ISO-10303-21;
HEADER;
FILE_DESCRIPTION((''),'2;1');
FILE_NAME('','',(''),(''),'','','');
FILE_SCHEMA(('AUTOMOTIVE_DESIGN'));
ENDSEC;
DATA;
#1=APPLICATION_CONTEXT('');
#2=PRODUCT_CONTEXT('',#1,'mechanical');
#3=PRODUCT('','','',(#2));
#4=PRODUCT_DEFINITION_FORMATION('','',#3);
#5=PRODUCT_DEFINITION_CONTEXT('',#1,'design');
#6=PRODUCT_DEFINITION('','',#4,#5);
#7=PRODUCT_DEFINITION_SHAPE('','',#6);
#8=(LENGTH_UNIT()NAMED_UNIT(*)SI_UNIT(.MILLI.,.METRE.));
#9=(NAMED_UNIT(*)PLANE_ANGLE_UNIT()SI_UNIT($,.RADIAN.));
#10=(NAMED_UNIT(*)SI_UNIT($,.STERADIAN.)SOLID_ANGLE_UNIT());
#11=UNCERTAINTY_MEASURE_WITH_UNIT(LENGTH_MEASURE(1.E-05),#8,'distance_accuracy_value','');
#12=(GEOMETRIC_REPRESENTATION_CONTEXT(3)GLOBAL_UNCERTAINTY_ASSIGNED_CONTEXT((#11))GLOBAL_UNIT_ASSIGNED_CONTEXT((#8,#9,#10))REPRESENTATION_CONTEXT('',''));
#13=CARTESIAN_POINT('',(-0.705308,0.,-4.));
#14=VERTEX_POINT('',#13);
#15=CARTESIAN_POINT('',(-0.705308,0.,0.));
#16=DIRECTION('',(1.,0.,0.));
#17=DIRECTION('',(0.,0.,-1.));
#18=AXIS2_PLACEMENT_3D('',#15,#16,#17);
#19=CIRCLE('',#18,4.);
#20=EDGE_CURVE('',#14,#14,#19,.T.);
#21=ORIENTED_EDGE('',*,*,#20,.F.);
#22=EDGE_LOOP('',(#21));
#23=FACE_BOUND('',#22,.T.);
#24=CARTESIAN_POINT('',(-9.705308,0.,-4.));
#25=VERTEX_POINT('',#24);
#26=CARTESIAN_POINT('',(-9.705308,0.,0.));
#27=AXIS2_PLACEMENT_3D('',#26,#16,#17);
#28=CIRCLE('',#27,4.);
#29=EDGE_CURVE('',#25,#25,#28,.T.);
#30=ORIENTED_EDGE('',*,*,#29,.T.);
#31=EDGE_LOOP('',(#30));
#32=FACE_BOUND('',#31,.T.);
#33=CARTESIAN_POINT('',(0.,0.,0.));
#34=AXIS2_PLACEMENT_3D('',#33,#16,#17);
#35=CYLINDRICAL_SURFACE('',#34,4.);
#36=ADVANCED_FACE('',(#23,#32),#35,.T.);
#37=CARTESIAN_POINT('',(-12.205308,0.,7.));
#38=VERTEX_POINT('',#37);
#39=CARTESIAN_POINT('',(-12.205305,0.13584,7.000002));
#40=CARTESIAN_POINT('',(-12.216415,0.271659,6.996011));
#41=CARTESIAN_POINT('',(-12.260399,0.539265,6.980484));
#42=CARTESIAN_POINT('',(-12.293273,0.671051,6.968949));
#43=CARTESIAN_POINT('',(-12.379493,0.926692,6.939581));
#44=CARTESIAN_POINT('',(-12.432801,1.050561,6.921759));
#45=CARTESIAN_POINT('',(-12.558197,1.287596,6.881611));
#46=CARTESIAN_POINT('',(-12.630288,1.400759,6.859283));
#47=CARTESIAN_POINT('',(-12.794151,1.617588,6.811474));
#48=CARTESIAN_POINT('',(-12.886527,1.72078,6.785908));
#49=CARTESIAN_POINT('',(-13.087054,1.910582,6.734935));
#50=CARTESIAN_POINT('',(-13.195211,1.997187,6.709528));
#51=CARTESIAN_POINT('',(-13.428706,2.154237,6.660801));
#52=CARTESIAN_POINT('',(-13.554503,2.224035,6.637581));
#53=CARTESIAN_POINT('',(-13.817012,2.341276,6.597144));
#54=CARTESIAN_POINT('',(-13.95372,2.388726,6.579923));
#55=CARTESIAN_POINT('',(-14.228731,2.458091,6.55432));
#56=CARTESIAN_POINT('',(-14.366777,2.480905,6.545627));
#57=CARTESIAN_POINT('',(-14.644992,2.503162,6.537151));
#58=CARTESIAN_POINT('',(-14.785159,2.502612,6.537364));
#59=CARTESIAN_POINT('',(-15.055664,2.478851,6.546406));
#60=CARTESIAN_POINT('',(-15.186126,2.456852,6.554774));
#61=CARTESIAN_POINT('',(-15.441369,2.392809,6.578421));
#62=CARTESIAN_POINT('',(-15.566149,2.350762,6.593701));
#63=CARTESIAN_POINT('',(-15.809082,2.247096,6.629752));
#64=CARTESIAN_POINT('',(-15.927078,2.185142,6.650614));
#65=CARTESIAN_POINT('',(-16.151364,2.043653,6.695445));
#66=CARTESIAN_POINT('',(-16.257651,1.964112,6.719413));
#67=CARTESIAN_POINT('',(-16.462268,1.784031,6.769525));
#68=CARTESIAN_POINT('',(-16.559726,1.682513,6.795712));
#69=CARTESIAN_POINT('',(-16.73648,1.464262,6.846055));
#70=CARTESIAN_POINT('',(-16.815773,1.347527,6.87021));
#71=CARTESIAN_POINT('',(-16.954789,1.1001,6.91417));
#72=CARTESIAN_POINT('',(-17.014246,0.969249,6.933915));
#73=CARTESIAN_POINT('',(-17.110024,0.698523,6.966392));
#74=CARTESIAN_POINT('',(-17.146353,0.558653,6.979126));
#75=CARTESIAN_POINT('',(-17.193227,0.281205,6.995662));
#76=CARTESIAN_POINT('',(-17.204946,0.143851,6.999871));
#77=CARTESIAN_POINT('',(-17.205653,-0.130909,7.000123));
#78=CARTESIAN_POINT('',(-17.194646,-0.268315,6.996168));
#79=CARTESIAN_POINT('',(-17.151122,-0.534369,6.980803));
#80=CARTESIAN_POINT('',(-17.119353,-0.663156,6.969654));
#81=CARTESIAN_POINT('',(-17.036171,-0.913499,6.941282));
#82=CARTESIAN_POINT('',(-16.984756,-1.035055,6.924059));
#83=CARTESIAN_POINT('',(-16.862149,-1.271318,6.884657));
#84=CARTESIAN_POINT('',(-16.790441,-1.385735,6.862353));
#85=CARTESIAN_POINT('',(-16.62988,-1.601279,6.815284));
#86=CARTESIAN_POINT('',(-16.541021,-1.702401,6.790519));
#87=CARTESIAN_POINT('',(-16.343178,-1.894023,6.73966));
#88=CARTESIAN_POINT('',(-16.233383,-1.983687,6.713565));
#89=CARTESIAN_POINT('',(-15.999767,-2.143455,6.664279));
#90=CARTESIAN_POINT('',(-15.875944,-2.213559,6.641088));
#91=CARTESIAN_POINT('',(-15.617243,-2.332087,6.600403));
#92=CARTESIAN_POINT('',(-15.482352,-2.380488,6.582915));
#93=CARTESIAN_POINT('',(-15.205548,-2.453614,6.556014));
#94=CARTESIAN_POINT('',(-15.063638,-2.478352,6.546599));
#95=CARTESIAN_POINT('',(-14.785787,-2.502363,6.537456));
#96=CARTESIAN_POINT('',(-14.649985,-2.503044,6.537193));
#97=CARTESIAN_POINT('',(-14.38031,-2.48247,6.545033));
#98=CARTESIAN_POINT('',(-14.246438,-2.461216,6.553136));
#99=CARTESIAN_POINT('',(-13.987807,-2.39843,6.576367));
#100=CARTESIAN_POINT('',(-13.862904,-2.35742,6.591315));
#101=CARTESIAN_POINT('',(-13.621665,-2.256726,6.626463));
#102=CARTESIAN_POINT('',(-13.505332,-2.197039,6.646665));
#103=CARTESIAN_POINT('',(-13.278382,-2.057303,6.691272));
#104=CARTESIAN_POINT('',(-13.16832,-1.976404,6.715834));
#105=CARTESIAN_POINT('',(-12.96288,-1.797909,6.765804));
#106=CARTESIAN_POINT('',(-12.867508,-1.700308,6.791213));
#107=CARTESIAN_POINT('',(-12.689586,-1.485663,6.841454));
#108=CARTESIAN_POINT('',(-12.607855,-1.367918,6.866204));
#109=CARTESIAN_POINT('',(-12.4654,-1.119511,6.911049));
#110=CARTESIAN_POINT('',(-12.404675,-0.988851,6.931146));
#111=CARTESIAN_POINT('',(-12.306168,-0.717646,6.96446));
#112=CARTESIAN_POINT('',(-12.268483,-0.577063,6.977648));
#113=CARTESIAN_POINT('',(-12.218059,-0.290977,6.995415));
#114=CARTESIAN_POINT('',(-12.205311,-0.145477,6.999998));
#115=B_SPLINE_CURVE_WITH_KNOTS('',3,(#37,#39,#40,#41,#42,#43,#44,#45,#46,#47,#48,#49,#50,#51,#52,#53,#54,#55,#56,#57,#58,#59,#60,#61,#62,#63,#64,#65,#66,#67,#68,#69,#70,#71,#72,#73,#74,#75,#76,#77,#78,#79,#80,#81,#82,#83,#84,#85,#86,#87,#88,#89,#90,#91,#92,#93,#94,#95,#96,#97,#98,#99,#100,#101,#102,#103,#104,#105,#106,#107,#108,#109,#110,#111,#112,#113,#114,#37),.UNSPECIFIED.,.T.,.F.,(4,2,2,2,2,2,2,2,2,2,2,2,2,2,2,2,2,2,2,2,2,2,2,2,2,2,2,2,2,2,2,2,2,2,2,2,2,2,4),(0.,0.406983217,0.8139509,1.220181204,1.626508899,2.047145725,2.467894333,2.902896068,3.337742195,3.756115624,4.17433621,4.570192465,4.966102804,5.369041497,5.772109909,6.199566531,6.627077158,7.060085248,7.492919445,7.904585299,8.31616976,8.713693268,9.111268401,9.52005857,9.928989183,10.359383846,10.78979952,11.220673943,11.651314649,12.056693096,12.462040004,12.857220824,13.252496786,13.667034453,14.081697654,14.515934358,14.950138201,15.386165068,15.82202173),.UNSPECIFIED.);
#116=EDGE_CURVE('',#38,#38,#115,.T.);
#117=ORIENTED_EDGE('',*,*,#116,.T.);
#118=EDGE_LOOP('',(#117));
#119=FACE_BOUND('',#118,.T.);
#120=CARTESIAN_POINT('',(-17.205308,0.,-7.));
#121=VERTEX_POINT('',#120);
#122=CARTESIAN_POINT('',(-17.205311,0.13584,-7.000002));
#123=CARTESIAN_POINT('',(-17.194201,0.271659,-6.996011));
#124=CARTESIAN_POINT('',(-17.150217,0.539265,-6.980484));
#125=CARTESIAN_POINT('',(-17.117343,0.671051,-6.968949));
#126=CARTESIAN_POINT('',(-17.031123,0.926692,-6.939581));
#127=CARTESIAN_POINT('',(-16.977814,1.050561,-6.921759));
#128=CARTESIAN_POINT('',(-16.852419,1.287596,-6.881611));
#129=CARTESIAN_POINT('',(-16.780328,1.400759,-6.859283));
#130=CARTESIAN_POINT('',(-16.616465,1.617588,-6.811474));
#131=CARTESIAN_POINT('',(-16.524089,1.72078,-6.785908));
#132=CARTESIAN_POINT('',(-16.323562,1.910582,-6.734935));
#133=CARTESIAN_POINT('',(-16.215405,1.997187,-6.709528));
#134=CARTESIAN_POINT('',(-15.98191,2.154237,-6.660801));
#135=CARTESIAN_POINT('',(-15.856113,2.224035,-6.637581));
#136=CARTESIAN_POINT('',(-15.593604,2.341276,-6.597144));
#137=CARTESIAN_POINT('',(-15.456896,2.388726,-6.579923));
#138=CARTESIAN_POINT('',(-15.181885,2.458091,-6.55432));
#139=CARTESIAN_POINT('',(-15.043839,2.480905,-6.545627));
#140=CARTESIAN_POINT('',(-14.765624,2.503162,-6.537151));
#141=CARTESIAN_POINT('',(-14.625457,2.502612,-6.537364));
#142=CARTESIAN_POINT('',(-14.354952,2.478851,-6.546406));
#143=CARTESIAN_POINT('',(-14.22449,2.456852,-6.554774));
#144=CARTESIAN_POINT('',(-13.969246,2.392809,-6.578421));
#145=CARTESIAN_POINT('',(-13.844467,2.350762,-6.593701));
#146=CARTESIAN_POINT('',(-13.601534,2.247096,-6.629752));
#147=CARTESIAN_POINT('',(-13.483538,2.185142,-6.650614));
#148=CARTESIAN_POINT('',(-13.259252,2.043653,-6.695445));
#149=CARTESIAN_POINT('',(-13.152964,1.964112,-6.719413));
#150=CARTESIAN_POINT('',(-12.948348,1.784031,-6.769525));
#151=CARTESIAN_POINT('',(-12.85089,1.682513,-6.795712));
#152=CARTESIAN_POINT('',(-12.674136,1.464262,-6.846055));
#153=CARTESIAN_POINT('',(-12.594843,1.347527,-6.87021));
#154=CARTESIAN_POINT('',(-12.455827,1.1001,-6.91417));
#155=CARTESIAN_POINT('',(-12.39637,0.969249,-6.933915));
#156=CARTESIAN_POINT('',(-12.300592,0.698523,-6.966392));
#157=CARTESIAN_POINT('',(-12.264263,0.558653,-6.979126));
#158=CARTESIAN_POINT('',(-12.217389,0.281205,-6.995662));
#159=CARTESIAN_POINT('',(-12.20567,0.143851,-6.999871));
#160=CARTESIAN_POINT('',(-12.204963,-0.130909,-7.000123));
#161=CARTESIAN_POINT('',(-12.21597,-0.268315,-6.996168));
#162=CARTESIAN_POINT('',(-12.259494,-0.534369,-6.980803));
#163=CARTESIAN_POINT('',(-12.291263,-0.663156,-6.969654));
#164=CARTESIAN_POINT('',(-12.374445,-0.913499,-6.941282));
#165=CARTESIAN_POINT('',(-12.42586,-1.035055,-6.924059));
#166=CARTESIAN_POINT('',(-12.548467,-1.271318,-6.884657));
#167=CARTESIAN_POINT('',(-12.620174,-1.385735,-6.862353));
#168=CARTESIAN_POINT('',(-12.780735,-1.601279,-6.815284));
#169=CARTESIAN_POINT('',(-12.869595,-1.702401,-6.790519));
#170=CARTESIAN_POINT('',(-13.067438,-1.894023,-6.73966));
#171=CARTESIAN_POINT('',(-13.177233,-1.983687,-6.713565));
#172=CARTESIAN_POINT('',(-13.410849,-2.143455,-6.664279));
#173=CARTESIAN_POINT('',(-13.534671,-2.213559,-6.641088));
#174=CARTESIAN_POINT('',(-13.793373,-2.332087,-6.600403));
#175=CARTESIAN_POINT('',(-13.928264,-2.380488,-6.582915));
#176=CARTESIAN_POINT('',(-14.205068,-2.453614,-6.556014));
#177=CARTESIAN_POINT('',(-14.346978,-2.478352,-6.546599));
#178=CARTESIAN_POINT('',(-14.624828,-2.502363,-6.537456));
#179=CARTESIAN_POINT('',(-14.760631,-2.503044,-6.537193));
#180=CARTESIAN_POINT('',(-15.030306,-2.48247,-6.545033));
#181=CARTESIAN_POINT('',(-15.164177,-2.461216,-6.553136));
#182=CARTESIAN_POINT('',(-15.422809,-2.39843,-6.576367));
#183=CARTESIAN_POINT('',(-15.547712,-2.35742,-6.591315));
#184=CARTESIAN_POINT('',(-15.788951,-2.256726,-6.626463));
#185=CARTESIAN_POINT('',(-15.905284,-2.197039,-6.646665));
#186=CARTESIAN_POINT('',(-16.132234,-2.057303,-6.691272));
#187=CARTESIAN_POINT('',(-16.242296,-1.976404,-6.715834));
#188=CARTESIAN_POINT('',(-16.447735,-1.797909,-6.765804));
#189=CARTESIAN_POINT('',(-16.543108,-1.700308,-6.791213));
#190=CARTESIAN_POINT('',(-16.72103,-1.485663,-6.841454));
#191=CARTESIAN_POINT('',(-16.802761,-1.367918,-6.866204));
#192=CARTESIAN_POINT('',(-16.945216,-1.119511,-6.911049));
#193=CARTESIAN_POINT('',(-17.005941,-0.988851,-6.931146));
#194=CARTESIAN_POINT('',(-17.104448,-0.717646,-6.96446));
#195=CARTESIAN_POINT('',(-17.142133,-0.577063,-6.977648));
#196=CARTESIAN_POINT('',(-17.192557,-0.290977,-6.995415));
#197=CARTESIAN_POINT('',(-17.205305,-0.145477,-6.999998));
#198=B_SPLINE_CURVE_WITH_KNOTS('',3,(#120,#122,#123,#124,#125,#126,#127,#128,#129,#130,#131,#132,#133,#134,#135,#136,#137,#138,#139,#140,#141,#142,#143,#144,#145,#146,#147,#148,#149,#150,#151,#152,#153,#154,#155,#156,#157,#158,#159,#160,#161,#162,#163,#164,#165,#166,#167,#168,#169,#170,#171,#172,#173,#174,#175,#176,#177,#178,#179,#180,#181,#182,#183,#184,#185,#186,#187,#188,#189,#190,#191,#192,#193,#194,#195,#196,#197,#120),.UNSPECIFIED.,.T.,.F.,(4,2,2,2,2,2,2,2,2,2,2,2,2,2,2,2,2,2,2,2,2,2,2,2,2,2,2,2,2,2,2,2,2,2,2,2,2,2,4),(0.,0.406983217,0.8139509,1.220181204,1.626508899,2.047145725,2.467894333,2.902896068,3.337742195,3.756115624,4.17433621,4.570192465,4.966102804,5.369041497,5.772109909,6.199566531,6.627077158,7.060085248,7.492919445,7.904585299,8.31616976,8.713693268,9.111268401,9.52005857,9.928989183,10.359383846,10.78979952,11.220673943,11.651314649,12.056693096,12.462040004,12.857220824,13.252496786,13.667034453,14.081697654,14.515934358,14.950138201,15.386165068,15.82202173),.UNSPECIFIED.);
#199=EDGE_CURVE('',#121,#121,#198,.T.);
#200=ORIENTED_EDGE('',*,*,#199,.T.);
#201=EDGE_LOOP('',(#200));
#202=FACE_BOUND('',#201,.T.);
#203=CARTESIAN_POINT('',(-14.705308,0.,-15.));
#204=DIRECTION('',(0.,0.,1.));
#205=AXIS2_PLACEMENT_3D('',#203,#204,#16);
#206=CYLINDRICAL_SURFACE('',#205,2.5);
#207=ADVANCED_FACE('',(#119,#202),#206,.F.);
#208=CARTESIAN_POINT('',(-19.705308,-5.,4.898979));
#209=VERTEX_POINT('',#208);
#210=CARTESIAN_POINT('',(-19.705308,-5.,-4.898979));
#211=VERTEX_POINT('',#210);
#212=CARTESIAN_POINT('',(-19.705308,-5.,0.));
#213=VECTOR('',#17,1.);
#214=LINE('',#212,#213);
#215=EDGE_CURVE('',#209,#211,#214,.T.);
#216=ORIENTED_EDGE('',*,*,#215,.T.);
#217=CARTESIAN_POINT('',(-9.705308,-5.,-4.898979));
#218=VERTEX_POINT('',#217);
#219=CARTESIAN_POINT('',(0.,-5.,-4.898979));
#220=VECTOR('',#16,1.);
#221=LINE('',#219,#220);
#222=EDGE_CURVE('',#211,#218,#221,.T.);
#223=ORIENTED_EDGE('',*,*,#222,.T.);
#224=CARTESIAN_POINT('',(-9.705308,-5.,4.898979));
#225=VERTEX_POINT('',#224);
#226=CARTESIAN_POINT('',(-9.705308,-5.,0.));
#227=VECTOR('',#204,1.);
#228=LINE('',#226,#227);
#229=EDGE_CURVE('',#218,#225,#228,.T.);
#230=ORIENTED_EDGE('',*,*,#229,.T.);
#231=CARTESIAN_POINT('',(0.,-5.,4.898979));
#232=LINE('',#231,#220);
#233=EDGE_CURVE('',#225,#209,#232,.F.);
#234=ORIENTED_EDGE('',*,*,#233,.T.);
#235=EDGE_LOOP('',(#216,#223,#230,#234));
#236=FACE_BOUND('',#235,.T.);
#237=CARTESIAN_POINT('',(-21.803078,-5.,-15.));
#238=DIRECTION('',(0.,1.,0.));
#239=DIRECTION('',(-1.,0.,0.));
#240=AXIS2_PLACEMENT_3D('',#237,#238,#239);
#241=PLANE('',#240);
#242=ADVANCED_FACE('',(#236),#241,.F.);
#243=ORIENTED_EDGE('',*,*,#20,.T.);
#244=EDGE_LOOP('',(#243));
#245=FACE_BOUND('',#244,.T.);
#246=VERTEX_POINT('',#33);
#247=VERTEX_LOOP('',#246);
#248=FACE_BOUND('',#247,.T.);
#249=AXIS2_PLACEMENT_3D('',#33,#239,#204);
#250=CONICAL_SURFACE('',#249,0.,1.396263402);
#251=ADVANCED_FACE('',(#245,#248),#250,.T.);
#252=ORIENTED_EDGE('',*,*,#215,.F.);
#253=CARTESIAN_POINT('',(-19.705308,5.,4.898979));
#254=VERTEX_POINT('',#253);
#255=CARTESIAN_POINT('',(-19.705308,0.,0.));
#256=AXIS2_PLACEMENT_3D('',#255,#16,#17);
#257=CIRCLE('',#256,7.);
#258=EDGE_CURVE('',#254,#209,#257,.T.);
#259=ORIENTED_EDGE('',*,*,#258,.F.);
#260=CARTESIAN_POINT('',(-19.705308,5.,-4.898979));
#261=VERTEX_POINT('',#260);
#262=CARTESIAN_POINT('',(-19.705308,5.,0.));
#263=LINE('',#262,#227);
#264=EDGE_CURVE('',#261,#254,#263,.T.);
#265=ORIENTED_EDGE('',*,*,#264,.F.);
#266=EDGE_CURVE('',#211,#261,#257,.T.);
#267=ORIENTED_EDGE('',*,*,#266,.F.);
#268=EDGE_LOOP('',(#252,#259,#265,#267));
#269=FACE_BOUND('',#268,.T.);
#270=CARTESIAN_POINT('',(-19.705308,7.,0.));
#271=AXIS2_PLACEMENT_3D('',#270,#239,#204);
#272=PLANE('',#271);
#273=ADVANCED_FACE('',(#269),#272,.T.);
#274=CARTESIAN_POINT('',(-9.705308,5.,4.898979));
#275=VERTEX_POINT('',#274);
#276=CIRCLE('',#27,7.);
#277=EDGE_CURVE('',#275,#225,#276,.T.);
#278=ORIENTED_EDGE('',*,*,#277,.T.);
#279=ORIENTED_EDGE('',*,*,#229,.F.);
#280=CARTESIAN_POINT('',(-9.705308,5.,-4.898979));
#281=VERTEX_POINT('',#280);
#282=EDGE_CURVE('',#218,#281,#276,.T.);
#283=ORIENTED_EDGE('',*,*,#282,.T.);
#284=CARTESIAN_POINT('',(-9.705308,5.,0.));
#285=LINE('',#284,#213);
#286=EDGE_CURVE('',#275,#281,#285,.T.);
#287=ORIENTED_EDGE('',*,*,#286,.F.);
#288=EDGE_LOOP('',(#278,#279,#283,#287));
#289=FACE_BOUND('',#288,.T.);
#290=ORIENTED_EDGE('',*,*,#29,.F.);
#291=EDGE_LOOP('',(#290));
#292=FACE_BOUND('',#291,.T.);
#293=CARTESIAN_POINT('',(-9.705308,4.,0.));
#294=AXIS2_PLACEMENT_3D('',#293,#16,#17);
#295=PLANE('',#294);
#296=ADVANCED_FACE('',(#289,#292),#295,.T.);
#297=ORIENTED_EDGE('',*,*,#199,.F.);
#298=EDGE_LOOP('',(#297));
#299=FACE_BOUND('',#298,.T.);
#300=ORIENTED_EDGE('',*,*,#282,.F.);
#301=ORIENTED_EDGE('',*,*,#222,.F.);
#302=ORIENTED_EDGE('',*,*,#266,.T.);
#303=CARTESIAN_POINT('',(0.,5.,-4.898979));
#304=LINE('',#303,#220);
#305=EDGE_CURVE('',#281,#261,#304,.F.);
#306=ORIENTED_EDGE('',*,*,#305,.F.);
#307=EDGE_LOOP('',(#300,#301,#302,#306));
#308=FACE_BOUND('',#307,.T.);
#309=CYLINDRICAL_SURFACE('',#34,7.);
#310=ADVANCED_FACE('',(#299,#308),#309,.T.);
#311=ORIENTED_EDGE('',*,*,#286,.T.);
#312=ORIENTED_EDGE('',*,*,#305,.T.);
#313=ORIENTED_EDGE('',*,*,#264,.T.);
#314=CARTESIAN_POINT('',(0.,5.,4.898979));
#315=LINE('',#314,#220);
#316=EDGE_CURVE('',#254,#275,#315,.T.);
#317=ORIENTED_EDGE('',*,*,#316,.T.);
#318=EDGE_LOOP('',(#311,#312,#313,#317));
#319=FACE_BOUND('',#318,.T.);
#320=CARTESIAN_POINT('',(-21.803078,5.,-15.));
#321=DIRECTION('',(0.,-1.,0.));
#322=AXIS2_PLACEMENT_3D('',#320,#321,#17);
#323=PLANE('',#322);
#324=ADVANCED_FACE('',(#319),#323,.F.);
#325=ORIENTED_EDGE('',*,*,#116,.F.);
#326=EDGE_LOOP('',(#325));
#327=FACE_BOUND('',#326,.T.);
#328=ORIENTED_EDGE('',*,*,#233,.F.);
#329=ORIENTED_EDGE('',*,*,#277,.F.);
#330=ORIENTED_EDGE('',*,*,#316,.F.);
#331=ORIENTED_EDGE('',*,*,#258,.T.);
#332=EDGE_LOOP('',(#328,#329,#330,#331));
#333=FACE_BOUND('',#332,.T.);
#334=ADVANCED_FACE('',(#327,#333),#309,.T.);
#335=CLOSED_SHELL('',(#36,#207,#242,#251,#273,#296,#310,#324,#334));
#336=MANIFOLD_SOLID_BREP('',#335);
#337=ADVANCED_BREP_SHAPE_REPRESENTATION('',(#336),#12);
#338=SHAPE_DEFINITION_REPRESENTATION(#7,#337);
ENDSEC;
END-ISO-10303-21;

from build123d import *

# Parameters (mm, degrees)
SKETCH_2_R          = 2.5
SKETCH_2_W          = 14.617293851
SKETCH_2_H          = 4.056107718
CUT_EXTRUDE_1_DEPTH = 15


with BuildPart() as part:
    # Эскиз1 → Повернуть1 (revolve)
    with BuildSketch(Plane.XY, mode=Mode.PRIVATE) as revolve_1_sk:
        Polygon((0, 0), (-0.705307923, 4), (-9.705307923, 4), (-9.705307923, 7), (-19.705307923, 7), (-19.705307923, 0), align=None)
    revolve(revolve_1_sk.sketch.rotate(Axis((0, 0, 0), (-1, 0, 0)), 90), axis=Axis((0, 0, 0), (-1, 0, 0)))

    # Эскиз2 → Вырез-Вытянуть1 (cut, symmetric)
    with BuildSketch(Plane.XY):
        with Locations((-14.705307923, 0)):
            Circle(SKETCH_2_R)
        with Locations((-14.494430735, -7.028053859)):
            Rectangle(SKETCH_2_W, SKETCH_2_H)
        with Locations((-14.494430735, 7.028053859)):
            Rectangle(SKETCH_2_W, SKETCH_2_H)
    extrude(amount=CUT_EXTRUDE_1_DEPTH, both=True, mode=Mode.SUBTRACT)


solid = part.part
